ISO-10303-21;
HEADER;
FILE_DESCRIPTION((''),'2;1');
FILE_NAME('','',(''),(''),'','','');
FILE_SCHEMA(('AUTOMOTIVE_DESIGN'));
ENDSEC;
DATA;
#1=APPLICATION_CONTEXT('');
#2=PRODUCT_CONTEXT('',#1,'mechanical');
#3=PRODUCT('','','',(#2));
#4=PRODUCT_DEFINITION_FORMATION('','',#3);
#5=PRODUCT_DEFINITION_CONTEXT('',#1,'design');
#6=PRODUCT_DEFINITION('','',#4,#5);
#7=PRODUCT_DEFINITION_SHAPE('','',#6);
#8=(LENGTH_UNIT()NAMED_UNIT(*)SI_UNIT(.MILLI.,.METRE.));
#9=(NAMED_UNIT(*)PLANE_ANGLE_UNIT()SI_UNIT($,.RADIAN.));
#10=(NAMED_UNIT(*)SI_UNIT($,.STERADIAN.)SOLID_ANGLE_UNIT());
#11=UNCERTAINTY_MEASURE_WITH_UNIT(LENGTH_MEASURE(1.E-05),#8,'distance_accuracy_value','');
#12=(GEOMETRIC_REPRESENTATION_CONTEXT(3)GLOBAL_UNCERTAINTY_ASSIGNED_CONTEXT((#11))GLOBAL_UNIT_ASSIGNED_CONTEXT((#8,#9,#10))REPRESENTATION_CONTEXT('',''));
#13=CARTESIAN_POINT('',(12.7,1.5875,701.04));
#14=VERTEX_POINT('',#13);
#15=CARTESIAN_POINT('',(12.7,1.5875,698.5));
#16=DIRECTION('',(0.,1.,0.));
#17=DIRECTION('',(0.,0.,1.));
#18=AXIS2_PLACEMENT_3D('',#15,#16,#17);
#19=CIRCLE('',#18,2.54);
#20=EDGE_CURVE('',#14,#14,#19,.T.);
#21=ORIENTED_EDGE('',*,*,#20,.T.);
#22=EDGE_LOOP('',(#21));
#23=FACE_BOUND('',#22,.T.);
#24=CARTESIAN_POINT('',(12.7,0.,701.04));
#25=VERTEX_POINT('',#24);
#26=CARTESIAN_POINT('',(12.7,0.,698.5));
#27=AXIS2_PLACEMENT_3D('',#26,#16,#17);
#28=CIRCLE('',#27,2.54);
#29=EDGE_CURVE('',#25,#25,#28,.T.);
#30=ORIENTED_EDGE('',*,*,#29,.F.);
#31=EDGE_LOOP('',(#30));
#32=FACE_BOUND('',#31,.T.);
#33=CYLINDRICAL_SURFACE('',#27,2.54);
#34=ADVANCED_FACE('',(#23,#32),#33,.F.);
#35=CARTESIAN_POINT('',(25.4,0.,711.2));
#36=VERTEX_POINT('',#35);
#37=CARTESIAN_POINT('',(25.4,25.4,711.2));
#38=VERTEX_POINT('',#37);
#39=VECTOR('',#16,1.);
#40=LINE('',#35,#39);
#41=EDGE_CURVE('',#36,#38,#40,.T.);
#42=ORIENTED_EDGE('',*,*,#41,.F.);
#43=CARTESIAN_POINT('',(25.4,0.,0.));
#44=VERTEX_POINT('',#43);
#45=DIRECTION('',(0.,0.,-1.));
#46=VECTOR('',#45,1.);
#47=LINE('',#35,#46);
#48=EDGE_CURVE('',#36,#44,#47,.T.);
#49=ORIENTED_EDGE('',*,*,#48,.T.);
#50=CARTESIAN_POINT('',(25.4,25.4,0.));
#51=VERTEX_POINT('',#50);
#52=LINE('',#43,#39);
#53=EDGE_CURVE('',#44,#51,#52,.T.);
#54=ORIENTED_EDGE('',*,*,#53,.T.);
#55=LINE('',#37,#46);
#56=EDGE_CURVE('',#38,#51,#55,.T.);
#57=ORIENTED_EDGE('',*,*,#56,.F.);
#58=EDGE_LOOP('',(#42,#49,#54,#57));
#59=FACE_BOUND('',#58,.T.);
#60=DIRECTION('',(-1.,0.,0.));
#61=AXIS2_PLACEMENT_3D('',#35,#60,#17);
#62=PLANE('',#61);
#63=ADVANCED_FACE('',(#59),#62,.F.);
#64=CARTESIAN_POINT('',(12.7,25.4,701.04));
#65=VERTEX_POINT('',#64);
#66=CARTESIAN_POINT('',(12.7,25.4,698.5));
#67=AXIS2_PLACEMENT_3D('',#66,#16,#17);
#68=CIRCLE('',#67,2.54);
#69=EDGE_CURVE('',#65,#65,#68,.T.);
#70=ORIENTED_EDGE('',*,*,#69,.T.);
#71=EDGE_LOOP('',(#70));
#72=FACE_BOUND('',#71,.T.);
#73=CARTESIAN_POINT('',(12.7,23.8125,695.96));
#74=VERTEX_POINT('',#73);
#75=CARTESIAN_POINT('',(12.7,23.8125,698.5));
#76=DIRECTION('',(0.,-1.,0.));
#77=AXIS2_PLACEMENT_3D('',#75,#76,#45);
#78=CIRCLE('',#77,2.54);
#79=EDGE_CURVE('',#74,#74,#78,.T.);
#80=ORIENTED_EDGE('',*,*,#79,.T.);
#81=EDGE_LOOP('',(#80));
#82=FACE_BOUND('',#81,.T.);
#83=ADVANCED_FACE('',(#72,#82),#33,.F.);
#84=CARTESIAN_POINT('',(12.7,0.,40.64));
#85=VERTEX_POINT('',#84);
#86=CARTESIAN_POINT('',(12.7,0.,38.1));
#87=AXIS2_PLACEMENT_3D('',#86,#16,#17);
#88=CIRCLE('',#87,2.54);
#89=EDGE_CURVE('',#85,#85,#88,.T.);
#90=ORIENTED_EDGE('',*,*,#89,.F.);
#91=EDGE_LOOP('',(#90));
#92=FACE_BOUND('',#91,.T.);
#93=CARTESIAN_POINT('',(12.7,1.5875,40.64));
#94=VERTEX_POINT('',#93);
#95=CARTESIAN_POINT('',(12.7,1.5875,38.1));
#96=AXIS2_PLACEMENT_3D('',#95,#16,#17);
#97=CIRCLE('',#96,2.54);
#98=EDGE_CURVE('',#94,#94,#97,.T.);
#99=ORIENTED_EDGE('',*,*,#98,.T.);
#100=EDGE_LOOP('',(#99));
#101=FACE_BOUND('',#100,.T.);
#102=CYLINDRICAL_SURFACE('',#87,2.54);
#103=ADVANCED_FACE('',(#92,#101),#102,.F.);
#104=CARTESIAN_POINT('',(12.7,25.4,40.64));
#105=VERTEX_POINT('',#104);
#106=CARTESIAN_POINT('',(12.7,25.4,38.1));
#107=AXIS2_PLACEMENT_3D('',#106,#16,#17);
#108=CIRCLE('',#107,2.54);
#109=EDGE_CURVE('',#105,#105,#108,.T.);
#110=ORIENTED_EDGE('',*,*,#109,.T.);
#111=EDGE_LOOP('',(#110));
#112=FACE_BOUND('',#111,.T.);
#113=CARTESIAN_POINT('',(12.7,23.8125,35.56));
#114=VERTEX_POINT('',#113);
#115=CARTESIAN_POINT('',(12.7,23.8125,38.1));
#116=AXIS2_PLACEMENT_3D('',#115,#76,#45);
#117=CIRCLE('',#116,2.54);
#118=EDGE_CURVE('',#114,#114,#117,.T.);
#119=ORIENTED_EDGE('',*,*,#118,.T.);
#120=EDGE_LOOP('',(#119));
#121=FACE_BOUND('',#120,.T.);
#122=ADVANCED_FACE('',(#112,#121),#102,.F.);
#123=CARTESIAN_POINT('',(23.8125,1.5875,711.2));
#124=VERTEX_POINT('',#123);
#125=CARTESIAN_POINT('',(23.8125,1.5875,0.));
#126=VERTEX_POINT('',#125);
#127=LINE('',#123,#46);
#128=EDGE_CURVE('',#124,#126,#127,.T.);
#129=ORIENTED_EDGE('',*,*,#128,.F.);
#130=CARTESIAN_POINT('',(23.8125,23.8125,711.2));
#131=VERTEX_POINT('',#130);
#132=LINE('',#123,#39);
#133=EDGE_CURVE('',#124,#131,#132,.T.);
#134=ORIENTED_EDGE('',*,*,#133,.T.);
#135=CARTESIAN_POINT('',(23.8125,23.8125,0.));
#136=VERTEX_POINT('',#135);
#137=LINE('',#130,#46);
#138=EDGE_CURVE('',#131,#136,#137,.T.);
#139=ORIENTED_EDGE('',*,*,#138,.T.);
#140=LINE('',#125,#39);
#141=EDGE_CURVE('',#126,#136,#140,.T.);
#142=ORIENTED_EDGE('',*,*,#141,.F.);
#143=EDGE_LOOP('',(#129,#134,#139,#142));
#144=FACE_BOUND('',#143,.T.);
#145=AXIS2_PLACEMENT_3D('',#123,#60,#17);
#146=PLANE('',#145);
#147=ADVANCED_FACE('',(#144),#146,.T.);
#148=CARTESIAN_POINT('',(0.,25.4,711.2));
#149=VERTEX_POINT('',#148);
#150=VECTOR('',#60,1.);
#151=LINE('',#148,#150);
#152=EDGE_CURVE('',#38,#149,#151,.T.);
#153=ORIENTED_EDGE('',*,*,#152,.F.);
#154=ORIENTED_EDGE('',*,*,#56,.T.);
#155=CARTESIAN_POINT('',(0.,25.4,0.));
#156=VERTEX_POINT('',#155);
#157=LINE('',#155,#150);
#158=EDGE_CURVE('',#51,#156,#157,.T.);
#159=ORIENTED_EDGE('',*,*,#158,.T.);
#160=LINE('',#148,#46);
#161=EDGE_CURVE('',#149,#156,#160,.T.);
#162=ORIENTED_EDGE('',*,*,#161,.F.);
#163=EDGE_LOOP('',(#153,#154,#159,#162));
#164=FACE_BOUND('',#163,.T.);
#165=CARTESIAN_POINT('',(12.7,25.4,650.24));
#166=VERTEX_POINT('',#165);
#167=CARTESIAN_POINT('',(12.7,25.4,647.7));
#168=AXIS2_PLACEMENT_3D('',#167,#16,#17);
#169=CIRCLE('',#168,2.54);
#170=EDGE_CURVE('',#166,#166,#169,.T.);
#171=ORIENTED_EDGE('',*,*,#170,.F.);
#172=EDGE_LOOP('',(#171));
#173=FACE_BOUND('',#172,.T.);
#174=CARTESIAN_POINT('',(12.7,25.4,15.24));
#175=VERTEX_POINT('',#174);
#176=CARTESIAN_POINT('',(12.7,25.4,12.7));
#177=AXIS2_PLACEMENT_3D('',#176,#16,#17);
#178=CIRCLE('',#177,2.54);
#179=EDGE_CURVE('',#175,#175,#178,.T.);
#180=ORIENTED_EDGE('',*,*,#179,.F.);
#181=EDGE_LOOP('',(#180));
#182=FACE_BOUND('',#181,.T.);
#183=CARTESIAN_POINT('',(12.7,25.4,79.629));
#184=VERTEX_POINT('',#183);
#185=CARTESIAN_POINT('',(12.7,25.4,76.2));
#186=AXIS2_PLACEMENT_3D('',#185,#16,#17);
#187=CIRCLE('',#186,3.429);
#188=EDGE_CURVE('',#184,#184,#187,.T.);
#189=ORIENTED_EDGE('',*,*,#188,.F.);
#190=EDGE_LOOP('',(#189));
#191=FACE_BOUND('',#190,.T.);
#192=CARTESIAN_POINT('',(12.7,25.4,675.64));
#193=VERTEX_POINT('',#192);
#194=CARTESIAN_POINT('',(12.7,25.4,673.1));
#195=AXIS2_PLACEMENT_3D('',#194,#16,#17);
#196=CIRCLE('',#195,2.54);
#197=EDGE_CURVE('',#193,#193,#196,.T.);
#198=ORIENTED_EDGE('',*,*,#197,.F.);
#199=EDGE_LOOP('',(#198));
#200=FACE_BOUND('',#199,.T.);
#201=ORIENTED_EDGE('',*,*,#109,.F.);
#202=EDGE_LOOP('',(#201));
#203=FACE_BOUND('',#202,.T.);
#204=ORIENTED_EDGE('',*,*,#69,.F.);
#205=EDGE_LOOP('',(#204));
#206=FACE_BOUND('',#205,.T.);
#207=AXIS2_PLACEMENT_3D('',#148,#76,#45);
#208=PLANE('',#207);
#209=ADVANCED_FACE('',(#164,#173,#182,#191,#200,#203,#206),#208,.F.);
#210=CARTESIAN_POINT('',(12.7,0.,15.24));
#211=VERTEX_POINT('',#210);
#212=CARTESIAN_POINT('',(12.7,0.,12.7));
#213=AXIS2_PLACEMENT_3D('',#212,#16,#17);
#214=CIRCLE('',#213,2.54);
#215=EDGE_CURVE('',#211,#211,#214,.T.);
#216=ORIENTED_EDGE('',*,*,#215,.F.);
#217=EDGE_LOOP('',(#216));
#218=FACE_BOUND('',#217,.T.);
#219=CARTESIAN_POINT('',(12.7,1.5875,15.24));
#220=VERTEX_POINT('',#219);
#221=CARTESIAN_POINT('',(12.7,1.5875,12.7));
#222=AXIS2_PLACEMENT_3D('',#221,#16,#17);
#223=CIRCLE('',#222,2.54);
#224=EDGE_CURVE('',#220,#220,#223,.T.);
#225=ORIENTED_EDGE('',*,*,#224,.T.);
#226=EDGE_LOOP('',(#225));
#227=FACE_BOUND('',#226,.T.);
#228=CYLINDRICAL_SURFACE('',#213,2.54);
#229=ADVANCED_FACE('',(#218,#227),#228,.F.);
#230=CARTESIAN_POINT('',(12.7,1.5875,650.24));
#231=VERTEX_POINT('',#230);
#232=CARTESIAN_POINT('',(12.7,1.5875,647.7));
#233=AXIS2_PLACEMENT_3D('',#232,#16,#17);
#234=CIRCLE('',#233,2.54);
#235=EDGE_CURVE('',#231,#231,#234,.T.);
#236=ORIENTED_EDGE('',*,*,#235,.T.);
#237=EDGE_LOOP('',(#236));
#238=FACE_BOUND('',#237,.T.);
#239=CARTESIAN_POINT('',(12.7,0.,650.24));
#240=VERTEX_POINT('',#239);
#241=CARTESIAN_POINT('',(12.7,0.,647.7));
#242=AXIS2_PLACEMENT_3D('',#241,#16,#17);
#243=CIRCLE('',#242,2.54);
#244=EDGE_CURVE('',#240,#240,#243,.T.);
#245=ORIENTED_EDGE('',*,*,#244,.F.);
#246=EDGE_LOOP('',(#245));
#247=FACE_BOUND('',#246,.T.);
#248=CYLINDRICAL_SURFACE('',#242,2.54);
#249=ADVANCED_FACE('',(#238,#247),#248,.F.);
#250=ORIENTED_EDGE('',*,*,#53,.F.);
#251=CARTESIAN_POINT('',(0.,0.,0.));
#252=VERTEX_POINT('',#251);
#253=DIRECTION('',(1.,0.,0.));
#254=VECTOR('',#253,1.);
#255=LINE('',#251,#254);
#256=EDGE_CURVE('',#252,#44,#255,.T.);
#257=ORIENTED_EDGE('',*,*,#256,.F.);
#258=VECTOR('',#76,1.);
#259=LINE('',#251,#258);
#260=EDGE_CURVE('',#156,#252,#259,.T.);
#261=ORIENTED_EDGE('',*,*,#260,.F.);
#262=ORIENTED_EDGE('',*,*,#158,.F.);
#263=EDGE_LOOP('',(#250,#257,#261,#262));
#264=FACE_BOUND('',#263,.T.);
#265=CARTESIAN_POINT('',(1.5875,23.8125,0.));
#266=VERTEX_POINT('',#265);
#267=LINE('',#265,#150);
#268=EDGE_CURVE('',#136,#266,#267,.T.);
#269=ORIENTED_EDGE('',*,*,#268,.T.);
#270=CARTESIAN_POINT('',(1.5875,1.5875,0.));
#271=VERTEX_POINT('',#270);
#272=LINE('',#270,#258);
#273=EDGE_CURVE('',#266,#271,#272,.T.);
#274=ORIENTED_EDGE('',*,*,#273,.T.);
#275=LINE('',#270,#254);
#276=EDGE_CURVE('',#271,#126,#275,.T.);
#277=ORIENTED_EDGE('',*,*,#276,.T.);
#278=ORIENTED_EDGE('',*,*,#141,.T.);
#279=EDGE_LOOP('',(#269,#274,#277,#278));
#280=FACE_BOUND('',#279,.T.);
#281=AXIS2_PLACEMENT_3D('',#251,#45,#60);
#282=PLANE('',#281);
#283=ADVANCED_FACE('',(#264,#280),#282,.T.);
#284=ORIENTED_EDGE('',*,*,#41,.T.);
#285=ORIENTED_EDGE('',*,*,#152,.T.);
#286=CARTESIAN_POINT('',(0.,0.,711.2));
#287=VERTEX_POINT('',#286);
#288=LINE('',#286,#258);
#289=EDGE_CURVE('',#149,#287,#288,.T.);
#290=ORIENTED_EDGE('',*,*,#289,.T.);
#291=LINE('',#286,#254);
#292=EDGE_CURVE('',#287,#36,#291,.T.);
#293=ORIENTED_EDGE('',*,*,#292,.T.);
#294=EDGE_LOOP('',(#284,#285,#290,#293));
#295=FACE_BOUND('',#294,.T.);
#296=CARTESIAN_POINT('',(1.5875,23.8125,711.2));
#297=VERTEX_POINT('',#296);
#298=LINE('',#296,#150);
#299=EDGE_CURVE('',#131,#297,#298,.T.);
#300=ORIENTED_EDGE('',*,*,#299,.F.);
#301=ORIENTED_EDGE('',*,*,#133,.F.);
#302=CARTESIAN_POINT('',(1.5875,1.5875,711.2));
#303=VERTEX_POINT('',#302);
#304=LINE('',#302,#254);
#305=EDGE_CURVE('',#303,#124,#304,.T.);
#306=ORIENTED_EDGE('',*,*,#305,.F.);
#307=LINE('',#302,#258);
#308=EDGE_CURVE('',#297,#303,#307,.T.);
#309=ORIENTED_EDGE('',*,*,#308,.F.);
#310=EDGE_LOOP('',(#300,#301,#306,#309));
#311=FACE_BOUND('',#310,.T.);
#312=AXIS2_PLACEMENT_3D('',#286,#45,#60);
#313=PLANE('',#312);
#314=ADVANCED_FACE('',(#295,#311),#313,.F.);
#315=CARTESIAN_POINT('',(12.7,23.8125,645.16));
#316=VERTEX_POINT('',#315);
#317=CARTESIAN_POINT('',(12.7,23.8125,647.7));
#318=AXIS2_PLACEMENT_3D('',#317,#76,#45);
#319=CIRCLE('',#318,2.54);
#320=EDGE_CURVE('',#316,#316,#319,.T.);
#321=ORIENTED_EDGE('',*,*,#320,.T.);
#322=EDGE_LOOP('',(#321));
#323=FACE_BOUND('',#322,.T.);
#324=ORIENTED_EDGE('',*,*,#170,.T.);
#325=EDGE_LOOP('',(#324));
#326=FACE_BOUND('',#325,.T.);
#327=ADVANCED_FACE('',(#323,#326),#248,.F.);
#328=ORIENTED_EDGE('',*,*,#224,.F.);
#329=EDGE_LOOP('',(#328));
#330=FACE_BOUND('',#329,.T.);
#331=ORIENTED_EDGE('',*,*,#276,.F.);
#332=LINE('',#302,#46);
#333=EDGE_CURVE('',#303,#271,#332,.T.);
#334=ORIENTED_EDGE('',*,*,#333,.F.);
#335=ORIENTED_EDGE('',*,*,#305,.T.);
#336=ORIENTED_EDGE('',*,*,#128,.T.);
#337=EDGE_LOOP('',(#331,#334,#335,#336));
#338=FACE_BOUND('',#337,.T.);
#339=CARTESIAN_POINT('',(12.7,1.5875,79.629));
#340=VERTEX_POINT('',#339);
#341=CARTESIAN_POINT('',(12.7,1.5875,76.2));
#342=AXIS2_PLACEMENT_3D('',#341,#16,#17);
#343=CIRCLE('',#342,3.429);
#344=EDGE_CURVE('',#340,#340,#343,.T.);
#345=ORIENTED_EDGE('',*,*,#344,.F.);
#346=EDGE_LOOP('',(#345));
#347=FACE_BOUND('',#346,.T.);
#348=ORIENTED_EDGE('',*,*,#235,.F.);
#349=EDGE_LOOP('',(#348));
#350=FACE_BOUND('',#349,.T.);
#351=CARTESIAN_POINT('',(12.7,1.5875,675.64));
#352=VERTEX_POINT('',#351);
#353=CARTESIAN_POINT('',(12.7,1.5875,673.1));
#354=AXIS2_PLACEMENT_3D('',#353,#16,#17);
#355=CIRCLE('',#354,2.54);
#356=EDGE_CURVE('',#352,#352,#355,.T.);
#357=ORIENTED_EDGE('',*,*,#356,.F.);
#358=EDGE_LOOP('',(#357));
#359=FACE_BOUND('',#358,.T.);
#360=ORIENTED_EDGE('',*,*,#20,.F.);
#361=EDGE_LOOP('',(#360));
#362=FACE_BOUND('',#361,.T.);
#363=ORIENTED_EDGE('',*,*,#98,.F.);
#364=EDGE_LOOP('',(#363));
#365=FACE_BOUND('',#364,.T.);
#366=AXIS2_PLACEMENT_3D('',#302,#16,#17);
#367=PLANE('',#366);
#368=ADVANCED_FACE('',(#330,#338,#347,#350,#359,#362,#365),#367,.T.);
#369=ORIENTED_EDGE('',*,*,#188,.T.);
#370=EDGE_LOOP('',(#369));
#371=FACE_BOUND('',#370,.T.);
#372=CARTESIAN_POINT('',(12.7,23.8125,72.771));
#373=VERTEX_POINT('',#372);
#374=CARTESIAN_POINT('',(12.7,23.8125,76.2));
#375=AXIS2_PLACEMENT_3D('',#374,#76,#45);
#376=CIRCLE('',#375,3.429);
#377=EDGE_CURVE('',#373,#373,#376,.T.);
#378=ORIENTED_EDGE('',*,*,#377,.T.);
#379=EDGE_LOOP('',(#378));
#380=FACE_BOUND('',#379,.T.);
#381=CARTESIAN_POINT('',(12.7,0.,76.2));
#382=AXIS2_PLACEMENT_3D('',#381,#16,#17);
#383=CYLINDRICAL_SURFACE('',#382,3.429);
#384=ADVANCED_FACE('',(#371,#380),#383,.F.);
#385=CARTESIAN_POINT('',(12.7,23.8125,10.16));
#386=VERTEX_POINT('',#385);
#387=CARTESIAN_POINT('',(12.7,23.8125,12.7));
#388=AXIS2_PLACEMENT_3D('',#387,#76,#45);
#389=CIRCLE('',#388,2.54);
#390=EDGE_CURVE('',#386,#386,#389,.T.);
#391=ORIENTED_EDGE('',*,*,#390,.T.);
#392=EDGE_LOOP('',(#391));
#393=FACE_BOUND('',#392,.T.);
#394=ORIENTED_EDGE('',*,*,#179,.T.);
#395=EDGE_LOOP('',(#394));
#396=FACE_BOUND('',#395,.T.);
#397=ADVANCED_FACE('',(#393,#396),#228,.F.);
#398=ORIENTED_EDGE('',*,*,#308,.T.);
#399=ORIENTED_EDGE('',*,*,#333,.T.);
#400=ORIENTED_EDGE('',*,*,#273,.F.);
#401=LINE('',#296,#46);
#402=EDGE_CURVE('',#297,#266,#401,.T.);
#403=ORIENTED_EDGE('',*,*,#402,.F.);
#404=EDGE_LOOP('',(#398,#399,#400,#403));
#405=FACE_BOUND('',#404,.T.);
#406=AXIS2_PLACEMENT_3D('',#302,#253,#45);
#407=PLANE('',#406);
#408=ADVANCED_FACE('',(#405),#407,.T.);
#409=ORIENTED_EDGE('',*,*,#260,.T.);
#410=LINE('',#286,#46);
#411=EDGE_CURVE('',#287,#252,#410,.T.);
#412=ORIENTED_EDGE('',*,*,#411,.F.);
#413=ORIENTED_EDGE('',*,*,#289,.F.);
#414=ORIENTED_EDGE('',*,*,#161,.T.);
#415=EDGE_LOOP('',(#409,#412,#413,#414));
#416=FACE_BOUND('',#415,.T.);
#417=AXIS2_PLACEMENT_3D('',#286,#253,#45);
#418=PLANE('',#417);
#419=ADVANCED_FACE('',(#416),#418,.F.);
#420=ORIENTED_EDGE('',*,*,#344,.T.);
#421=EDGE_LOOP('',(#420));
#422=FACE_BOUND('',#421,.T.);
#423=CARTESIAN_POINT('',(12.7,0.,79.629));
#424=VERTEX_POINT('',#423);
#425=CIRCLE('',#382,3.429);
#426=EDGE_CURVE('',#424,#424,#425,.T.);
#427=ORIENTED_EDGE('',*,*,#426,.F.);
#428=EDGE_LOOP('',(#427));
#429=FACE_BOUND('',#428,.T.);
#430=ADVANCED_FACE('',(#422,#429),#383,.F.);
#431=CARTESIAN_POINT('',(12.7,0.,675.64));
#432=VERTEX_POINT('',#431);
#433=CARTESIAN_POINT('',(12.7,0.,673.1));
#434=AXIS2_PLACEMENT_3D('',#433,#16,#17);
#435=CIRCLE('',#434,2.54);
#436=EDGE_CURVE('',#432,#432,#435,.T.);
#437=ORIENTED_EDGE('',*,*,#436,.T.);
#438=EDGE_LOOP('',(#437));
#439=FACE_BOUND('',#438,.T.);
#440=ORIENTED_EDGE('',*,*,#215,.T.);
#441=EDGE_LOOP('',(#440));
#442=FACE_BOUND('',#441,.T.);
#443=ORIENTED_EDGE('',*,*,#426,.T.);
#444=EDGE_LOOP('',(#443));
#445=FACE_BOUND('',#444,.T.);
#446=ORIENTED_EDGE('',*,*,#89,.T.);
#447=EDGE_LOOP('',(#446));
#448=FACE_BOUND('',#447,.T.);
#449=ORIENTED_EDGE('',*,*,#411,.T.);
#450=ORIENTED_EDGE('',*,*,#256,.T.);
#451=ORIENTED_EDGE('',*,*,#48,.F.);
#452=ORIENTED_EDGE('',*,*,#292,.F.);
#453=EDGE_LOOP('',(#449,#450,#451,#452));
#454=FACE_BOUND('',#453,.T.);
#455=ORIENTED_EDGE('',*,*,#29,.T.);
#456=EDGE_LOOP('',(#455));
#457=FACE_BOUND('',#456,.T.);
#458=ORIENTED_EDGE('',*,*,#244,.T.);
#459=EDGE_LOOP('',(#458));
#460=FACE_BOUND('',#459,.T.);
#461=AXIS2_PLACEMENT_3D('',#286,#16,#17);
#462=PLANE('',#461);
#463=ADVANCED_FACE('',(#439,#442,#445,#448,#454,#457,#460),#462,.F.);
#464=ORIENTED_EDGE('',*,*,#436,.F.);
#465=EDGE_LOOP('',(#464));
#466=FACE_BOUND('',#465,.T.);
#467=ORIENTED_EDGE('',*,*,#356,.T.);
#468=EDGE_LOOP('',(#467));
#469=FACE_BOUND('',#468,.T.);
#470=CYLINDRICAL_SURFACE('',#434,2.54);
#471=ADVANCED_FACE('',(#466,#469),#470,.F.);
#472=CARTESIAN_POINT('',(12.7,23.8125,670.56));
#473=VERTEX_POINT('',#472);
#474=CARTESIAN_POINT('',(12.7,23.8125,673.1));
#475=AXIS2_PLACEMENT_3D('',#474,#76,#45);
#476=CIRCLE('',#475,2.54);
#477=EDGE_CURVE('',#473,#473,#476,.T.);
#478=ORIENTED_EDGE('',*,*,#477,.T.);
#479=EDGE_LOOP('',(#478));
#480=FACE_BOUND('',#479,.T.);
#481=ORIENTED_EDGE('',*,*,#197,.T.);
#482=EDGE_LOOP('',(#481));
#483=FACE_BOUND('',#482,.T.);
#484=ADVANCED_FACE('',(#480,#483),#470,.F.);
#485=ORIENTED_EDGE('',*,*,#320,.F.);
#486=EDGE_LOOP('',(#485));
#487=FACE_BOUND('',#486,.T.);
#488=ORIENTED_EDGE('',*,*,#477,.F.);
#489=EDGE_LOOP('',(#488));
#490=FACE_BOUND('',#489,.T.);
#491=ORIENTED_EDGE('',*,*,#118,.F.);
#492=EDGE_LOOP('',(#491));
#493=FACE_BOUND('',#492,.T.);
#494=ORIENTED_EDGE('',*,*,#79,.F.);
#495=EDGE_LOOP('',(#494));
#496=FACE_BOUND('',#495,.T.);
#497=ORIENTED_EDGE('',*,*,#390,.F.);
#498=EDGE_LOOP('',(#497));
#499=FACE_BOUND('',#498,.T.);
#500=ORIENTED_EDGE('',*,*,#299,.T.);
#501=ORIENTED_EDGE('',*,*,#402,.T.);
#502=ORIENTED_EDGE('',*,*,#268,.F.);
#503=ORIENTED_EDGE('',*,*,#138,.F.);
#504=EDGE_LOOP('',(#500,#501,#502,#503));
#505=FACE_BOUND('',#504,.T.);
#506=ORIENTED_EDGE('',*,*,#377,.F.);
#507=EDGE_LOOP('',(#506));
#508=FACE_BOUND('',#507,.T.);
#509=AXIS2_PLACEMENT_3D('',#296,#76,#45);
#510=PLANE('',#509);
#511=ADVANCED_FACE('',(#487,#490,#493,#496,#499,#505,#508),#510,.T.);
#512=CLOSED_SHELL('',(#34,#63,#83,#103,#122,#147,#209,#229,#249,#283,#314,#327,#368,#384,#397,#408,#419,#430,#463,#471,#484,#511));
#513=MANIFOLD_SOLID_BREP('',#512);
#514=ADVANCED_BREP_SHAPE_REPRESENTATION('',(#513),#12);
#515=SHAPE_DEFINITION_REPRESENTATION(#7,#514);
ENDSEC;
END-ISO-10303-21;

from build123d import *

# Parameters (mm, degrees)
SKETCH1_W           = 25.4
SKETCH1_H           = 25.4
SKETCH1_W_2         = 22.225
SKETCH1_H_2         = 22.225
BOSS_EXTRUDE1_DEPTH = 711.2
SKETCH3_R           = 2.54
SKETCH3_R_2         = 3.429
CUT_EXTRUDE2_DEPTH  = 713.106565059


with BuildPart() as part:
    # Sketch1 → Boss-Extrude1 (new body)
    with BuildSketch(Plane.XY):
        with Locations((12.7, 12.7)):
            Rectangle(SKETCH1_W, SKETCH1_H)
        with Locations((12.7, 12.7)):
            Rectangle(SKETCH1_W_2, SKETCH1_H_2, mode=Mode.SUBTRACT)
    extrude(amount=BOSS_EXTRUDE1_DEPTH)

    # Sketch3 → Cut-Extrude2 (cut, through all)
    with BuildSketch(Plane(origin=(0, 25.4, 0), x_dir=(1, 0, 0), z_dir=(0, 1, 0))):
        with Locations(Location((12.7, -12.7, 0), (0, 0, 270))):
            Circle(SKETCH3_R)
        with Locations(Location((12.7, -698.5, 0), (0, 0, 270))):
            Circle(SKETCH3_R)
        with Locations(Location((12.7, -38.1, 0), (0, 0, 270))):
            Circle(SKETCH3_R)
        with Locations(Location((12.7, -673.1, 0), (0, 0, 270))):
            Circle(SKETCH3_R)
        with Locations(Location((12.7, -647.7, 0), (0, 0, 270))):
            Circle(SKETCH3_R)
        with Locations(Location((12.7, -76.2, 0), (0, 0, 270))):
            Circle(SKETCH3_R_2)
    extrude(amount=-CUT_EXTRUDE2_DEPTH, mode=Mode.SUBTRACT)


solid = part.part
